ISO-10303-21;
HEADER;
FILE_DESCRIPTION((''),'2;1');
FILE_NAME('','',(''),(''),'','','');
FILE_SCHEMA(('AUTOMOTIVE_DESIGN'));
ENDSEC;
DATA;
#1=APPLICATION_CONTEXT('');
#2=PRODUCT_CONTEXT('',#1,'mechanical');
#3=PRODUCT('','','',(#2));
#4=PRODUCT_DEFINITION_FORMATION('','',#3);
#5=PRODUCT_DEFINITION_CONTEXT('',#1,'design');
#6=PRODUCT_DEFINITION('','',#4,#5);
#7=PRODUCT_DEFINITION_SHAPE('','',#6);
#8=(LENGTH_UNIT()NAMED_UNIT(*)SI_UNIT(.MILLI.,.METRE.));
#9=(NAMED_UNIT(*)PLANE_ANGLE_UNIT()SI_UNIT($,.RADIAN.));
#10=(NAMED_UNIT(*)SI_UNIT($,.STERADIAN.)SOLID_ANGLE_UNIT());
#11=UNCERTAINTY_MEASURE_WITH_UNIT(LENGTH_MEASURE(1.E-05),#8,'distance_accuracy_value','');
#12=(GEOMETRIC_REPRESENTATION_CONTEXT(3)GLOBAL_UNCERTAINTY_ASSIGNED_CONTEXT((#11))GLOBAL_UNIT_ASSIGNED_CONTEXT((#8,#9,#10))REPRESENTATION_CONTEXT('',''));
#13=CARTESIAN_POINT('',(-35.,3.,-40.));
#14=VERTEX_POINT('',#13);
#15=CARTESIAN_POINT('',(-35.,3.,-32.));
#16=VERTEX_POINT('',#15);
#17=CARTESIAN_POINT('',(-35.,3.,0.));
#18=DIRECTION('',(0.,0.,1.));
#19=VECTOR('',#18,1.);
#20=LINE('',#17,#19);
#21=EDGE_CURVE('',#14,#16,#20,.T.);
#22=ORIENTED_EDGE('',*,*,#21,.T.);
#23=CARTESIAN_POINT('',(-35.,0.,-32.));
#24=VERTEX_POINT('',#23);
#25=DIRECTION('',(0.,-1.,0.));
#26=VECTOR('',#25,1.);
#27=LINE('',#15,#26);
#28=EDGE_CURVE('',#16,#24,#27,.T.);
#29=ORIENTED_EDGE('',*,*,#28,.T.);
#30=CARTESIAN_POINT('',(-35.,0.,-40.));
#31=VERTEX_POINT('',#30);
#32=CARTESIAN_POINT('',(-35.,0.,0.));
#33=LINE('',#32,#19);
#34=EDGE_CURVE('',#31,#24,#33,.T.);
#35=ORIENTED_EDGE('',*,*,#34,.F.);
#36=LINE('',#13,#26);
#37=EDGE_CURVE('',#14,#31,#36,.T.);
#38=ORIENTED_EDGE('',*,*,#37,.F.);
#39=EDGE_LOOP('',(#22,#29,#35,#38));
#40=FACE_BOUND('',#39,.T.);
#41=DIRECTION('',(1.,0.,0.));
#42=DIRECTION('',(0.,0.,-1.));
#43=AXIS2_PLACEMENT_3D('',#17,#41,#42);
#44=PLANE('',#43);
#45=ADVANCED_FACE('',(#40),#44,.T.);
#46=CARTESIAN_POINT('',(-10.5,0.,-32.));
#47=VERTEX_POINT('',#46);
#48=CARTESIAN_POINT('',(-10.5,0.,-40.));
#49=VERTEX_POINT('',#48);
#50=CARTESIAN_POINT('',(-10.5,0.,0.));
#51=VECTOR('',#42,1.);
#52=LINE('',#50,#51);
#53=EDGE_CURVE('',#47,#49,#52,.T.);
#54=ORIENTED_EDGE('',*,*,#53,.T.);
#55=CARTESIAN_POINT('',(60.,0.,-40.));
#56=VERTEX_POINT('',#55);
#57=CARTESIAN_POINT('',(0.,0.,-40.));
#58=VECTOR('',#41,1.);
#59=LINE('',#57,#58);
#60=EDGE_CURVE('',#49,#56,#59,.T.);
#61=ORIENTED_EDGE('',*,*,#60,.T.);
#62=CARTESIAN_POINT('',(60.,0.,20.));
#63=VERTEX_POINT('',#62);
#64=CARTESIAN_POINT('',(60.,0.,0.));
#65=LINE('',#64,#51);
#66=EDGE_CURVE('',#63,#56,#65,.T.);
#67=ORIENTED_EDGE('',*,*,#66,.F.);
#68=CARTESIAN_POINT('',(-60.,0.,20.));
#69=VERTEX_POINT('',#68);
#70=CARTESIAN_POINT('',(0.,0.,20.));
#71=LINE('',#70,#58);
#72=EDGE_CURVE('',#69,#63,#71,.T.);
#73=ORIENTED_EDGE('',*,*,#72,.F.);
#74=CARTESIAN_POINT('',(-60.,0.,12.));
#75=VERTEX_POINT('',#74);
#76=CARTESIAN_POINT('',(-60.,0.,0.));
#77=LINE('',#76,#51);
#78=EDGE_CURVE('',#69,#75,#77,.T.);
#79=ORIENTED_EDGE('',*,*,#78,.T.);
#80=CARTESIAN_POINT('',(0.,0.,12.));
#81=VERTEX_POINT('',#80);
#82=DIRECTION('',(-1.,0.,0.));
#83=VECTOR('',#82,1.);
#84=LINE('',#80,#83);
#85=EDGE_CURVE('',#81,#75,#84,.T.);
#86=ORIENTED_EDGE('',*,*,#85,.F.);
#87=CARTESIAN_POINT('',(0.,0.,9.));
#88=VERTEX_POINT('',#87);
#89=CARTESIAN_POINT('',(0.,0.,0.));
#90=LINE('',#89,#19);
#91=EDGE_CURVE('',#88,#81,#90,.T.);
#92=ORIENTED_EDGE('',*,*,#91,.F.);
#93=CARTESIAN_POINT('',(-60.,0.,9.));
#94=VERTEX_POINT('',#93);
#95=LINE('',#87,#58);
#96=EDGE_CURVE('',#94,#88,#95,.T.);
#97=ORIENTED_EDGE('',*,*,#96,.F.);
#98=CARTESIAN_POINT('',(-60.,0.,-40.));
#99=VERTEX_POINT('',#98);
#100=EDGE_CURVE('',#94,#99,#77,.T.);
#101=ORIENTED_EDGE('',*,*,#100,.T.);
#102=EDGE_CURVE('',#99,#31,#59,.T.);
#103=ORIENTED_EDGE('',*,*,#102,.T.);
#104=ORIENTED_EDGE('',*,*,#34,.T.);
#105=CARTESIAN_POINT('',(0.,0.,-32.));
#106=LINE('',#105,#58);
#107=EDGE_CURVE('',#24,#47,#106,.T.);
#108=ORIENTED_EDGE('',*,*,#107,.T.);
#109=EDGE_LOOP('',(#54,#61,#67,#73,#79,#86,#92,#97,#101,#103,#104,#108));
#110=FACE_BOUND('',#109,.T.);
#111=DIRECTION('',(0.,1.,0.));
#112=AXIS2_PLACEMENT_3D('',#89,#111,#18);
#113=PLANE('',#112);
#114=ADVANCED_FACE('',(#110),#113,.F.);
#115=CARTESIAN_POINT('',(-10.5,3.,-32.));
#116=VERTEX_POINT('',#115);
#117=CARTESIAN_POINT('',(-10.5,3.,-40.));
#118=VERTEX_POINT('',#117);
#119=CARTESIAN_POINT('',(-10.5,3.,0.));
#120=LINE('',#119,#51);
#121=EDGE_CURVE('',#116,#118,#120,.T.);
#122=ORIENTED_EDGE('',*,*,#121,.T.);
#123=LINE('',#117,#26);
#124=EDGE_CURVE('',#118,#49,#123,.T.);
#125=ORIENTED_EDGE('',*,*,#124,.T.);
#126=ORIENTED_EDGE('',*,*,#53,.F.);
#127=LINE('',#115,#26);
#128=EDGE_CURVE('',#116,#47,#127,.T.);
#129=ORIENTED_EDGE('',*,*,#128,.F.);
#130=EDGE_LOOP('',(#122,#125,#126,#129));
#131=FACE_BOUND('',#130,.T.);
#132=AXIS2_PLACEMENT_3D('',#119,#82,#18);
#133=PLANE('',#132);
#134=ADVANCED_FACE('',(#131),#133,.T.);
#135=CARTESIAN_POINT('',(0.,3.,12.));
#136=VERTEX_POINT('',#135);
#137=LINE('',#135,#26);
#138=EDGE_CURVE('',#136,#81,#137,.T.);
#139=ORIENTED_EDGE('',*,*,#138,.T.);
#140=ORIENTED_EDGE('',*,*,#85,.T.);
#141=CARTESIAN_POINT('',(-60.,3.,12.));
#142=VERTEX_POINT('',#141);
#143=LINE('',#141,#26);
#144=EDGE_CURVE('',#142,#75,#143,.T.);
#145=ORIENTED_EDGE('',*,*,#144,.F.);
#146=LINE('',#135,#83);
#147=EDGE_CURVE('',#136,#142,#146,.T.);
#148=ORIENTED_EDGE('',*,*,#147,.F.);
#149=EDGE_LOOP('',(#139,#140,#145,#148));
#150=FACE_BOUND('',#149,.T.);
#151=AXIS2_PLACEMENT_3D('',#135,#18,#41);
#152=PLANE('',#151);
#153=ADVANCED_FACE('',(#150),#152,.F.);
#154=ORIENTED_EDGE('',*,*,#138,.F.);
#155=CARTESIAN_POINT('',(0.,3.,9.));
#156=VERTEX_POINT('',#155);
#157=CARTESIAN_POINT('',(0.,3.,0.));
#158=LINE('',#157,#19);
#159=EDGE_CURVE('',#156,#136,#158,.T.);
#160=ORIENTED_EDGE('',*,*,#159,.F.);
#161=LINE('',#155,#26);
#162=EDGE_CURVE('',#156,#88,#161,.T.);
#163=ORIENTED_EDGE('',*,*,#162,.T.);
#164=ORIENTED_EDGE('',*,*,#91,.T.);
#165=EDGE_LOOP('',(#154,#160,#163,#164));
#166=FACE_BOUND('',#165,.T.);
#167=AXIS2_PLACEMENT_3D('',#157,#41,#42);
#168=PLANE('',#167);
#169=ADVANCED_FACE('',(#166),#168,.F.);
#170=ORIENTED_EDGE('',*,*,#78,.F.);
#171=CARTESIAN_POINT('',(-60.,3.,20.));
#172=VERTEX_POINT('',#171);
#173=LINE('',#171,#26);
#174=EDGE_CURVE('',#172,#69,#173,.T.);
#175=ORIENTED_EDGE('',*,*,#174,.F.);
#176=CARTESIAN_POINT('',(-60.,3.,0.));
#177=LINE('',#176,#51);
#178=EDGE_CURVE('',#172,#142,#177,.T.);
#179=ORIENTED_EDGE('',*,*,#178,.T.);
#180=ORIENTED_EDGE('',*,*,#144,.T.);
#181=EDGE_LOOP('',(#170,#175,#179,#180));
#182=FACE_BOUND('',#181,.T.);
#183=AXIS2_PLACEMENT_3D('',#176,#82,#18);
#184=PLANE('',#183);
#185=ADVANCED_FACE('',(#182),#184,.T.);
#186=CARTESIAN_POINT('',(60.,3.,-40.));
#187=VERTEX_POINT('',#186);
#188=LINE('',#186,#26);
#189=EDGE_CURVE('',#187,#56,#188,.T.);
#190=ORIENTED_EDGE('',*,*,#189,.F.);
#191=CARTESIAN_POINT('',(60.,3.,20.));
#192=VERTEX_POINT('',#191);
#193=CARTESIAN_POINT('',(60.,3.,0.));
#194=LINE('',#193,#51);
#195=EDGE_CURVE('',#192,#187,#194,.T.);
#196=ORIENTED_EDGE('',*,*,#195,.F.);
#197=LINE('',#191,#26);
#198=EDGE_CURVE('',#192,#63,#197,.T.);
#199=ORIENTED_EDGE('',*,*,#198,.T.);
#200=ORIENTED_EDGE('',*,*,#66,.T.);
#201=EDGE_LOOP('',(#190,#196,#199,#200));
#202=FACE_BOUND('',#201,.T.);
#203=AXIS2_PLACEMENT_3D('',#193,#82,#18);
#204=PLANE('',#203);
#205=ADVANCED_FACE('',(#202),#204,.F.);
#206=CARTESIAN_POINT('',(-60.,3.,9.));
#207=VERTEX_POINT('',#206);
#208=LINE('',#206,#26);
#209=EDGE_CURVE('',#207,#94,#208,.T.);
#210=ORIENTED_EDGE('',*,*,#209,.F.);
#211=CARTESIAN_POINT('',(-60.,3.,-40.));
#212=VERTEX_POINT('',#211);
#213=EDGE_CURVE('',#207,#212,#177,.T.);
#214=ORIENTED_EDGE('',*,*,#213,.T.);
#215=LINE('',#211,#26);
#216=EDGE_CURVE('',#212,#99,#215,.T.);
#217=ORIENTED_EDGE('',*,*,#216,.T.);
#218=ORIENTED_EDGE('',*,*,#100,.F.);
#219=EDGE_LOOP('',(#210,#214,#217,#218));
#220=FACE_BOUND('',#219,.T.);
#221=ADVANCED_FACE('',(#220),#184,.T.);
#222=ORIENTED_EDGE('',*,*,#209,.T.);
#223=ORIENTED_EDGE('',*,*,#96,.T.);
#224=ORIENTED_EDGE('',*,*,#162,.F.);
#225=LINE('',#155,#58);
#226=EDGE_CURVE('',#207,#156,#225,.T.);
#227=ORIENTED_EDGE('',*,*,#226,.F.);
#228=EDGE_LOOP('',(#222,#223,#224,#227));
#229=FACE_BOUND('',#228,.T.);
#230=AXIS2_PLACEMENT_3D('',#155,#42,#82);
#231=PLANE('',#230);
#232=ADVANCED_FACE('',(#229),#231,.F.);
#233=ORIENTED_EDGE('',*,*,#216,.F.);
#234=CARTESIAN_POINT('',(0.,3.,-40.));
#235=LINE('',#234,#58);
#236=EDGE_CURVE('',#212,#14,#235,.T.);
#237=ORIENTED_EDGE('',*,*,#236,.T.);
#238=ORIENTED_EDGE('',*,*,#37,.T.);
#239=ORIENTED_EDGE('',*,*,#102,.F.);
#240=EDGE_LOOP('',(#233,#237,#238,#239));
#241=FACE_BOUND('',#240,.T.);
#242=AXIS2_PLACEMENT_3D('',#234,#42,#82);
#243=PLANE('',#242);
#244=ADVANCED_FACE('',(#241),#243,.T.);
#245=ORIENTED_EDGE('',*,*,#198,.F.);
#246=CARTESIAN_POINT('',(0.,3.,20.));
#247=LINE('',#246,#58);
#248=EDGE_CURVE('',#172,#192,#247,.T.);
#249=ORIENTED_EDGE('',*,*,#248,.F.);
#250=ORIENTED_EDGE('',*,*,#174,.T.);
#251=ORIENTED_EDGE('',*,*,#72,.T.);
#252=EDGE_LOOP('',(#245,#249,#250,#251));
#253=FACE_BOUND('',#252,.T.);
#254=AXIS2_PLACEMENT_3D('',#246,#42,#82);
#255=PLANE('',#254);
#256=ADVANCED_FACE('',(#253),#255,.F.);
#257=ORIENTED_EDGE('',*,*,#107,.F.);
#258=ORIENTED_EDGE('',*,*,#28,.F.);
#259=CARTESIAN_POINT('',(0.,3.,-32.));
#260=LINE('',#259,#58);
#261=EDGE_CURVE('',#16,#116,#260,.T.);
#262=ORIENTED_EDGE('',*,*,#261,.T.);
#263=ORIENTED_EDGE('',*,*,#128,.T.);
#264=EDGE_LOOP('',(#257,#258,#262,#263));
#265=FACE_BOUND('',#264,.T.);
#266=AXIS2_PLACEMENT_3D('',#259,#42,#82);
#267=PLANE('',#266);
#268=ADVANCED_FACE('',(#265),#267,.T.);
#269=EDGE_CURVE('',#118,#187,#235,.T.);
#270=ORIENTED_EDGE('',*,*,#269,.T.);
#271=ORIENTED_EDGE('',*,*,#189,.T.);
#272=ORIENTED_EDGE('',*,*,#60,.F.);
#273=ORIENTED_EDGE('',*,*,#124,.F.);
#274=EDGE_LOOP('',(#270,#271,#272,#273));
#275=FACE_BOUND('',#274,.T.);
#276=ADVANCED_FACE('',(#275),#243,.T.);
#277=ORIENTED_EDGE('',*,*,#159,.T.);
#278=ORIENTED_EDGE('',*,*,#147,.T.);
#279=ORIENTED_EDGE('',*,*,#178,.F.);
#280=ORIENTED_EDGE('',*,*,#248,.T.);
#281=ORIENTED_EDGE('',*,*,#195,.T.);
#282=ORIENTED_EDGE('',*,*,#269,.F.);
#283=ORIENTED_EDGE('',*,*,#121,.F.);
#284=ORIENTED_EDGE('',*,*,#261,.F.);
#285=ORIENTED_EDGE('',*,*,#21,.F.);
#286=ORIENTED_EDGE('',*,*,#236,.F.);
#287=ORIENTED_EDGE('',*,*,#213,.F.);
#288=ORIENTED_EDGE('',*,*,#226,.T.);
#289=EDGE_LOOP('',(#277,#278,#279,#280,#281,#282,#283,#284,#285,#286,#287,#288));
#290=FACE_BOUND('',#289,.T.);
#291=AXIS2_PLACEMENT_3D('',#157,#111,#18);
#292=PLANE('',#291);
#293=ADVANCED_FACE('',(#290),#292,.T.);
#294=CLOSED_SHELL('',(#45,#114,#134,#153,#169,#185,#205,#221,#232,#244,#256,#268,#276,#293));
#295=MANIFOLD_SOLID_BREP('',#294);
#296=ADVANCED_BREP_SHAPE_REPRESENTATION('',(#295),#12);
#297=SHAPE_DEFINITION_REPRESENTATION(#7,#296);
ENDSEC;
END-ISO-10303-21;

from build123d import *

# Parameters (mm, degrees)
BOSS_EXTRUDE1_DEPTH = 3


with BuildPart() as part:
    # Sketch1 → Boss-Extrude1 (new body)
    with BuildSketch(Plane(origin=(0, 0, 0), x_dir=(1, 0, 0), z_dir=(0, 1, 0))):
        Polygon((-60, 40), (-60, -9), (0, -9), (0, -12), (-60, -12), (-60, -20), (60, -20), (60, 40), (-10.5, 40), (-10.5, 32), (-35, 32), (-35, 40), align=None)
    extrude(amount=BOSS_EXTRUDE1_DEPTH)


solid = part.part
